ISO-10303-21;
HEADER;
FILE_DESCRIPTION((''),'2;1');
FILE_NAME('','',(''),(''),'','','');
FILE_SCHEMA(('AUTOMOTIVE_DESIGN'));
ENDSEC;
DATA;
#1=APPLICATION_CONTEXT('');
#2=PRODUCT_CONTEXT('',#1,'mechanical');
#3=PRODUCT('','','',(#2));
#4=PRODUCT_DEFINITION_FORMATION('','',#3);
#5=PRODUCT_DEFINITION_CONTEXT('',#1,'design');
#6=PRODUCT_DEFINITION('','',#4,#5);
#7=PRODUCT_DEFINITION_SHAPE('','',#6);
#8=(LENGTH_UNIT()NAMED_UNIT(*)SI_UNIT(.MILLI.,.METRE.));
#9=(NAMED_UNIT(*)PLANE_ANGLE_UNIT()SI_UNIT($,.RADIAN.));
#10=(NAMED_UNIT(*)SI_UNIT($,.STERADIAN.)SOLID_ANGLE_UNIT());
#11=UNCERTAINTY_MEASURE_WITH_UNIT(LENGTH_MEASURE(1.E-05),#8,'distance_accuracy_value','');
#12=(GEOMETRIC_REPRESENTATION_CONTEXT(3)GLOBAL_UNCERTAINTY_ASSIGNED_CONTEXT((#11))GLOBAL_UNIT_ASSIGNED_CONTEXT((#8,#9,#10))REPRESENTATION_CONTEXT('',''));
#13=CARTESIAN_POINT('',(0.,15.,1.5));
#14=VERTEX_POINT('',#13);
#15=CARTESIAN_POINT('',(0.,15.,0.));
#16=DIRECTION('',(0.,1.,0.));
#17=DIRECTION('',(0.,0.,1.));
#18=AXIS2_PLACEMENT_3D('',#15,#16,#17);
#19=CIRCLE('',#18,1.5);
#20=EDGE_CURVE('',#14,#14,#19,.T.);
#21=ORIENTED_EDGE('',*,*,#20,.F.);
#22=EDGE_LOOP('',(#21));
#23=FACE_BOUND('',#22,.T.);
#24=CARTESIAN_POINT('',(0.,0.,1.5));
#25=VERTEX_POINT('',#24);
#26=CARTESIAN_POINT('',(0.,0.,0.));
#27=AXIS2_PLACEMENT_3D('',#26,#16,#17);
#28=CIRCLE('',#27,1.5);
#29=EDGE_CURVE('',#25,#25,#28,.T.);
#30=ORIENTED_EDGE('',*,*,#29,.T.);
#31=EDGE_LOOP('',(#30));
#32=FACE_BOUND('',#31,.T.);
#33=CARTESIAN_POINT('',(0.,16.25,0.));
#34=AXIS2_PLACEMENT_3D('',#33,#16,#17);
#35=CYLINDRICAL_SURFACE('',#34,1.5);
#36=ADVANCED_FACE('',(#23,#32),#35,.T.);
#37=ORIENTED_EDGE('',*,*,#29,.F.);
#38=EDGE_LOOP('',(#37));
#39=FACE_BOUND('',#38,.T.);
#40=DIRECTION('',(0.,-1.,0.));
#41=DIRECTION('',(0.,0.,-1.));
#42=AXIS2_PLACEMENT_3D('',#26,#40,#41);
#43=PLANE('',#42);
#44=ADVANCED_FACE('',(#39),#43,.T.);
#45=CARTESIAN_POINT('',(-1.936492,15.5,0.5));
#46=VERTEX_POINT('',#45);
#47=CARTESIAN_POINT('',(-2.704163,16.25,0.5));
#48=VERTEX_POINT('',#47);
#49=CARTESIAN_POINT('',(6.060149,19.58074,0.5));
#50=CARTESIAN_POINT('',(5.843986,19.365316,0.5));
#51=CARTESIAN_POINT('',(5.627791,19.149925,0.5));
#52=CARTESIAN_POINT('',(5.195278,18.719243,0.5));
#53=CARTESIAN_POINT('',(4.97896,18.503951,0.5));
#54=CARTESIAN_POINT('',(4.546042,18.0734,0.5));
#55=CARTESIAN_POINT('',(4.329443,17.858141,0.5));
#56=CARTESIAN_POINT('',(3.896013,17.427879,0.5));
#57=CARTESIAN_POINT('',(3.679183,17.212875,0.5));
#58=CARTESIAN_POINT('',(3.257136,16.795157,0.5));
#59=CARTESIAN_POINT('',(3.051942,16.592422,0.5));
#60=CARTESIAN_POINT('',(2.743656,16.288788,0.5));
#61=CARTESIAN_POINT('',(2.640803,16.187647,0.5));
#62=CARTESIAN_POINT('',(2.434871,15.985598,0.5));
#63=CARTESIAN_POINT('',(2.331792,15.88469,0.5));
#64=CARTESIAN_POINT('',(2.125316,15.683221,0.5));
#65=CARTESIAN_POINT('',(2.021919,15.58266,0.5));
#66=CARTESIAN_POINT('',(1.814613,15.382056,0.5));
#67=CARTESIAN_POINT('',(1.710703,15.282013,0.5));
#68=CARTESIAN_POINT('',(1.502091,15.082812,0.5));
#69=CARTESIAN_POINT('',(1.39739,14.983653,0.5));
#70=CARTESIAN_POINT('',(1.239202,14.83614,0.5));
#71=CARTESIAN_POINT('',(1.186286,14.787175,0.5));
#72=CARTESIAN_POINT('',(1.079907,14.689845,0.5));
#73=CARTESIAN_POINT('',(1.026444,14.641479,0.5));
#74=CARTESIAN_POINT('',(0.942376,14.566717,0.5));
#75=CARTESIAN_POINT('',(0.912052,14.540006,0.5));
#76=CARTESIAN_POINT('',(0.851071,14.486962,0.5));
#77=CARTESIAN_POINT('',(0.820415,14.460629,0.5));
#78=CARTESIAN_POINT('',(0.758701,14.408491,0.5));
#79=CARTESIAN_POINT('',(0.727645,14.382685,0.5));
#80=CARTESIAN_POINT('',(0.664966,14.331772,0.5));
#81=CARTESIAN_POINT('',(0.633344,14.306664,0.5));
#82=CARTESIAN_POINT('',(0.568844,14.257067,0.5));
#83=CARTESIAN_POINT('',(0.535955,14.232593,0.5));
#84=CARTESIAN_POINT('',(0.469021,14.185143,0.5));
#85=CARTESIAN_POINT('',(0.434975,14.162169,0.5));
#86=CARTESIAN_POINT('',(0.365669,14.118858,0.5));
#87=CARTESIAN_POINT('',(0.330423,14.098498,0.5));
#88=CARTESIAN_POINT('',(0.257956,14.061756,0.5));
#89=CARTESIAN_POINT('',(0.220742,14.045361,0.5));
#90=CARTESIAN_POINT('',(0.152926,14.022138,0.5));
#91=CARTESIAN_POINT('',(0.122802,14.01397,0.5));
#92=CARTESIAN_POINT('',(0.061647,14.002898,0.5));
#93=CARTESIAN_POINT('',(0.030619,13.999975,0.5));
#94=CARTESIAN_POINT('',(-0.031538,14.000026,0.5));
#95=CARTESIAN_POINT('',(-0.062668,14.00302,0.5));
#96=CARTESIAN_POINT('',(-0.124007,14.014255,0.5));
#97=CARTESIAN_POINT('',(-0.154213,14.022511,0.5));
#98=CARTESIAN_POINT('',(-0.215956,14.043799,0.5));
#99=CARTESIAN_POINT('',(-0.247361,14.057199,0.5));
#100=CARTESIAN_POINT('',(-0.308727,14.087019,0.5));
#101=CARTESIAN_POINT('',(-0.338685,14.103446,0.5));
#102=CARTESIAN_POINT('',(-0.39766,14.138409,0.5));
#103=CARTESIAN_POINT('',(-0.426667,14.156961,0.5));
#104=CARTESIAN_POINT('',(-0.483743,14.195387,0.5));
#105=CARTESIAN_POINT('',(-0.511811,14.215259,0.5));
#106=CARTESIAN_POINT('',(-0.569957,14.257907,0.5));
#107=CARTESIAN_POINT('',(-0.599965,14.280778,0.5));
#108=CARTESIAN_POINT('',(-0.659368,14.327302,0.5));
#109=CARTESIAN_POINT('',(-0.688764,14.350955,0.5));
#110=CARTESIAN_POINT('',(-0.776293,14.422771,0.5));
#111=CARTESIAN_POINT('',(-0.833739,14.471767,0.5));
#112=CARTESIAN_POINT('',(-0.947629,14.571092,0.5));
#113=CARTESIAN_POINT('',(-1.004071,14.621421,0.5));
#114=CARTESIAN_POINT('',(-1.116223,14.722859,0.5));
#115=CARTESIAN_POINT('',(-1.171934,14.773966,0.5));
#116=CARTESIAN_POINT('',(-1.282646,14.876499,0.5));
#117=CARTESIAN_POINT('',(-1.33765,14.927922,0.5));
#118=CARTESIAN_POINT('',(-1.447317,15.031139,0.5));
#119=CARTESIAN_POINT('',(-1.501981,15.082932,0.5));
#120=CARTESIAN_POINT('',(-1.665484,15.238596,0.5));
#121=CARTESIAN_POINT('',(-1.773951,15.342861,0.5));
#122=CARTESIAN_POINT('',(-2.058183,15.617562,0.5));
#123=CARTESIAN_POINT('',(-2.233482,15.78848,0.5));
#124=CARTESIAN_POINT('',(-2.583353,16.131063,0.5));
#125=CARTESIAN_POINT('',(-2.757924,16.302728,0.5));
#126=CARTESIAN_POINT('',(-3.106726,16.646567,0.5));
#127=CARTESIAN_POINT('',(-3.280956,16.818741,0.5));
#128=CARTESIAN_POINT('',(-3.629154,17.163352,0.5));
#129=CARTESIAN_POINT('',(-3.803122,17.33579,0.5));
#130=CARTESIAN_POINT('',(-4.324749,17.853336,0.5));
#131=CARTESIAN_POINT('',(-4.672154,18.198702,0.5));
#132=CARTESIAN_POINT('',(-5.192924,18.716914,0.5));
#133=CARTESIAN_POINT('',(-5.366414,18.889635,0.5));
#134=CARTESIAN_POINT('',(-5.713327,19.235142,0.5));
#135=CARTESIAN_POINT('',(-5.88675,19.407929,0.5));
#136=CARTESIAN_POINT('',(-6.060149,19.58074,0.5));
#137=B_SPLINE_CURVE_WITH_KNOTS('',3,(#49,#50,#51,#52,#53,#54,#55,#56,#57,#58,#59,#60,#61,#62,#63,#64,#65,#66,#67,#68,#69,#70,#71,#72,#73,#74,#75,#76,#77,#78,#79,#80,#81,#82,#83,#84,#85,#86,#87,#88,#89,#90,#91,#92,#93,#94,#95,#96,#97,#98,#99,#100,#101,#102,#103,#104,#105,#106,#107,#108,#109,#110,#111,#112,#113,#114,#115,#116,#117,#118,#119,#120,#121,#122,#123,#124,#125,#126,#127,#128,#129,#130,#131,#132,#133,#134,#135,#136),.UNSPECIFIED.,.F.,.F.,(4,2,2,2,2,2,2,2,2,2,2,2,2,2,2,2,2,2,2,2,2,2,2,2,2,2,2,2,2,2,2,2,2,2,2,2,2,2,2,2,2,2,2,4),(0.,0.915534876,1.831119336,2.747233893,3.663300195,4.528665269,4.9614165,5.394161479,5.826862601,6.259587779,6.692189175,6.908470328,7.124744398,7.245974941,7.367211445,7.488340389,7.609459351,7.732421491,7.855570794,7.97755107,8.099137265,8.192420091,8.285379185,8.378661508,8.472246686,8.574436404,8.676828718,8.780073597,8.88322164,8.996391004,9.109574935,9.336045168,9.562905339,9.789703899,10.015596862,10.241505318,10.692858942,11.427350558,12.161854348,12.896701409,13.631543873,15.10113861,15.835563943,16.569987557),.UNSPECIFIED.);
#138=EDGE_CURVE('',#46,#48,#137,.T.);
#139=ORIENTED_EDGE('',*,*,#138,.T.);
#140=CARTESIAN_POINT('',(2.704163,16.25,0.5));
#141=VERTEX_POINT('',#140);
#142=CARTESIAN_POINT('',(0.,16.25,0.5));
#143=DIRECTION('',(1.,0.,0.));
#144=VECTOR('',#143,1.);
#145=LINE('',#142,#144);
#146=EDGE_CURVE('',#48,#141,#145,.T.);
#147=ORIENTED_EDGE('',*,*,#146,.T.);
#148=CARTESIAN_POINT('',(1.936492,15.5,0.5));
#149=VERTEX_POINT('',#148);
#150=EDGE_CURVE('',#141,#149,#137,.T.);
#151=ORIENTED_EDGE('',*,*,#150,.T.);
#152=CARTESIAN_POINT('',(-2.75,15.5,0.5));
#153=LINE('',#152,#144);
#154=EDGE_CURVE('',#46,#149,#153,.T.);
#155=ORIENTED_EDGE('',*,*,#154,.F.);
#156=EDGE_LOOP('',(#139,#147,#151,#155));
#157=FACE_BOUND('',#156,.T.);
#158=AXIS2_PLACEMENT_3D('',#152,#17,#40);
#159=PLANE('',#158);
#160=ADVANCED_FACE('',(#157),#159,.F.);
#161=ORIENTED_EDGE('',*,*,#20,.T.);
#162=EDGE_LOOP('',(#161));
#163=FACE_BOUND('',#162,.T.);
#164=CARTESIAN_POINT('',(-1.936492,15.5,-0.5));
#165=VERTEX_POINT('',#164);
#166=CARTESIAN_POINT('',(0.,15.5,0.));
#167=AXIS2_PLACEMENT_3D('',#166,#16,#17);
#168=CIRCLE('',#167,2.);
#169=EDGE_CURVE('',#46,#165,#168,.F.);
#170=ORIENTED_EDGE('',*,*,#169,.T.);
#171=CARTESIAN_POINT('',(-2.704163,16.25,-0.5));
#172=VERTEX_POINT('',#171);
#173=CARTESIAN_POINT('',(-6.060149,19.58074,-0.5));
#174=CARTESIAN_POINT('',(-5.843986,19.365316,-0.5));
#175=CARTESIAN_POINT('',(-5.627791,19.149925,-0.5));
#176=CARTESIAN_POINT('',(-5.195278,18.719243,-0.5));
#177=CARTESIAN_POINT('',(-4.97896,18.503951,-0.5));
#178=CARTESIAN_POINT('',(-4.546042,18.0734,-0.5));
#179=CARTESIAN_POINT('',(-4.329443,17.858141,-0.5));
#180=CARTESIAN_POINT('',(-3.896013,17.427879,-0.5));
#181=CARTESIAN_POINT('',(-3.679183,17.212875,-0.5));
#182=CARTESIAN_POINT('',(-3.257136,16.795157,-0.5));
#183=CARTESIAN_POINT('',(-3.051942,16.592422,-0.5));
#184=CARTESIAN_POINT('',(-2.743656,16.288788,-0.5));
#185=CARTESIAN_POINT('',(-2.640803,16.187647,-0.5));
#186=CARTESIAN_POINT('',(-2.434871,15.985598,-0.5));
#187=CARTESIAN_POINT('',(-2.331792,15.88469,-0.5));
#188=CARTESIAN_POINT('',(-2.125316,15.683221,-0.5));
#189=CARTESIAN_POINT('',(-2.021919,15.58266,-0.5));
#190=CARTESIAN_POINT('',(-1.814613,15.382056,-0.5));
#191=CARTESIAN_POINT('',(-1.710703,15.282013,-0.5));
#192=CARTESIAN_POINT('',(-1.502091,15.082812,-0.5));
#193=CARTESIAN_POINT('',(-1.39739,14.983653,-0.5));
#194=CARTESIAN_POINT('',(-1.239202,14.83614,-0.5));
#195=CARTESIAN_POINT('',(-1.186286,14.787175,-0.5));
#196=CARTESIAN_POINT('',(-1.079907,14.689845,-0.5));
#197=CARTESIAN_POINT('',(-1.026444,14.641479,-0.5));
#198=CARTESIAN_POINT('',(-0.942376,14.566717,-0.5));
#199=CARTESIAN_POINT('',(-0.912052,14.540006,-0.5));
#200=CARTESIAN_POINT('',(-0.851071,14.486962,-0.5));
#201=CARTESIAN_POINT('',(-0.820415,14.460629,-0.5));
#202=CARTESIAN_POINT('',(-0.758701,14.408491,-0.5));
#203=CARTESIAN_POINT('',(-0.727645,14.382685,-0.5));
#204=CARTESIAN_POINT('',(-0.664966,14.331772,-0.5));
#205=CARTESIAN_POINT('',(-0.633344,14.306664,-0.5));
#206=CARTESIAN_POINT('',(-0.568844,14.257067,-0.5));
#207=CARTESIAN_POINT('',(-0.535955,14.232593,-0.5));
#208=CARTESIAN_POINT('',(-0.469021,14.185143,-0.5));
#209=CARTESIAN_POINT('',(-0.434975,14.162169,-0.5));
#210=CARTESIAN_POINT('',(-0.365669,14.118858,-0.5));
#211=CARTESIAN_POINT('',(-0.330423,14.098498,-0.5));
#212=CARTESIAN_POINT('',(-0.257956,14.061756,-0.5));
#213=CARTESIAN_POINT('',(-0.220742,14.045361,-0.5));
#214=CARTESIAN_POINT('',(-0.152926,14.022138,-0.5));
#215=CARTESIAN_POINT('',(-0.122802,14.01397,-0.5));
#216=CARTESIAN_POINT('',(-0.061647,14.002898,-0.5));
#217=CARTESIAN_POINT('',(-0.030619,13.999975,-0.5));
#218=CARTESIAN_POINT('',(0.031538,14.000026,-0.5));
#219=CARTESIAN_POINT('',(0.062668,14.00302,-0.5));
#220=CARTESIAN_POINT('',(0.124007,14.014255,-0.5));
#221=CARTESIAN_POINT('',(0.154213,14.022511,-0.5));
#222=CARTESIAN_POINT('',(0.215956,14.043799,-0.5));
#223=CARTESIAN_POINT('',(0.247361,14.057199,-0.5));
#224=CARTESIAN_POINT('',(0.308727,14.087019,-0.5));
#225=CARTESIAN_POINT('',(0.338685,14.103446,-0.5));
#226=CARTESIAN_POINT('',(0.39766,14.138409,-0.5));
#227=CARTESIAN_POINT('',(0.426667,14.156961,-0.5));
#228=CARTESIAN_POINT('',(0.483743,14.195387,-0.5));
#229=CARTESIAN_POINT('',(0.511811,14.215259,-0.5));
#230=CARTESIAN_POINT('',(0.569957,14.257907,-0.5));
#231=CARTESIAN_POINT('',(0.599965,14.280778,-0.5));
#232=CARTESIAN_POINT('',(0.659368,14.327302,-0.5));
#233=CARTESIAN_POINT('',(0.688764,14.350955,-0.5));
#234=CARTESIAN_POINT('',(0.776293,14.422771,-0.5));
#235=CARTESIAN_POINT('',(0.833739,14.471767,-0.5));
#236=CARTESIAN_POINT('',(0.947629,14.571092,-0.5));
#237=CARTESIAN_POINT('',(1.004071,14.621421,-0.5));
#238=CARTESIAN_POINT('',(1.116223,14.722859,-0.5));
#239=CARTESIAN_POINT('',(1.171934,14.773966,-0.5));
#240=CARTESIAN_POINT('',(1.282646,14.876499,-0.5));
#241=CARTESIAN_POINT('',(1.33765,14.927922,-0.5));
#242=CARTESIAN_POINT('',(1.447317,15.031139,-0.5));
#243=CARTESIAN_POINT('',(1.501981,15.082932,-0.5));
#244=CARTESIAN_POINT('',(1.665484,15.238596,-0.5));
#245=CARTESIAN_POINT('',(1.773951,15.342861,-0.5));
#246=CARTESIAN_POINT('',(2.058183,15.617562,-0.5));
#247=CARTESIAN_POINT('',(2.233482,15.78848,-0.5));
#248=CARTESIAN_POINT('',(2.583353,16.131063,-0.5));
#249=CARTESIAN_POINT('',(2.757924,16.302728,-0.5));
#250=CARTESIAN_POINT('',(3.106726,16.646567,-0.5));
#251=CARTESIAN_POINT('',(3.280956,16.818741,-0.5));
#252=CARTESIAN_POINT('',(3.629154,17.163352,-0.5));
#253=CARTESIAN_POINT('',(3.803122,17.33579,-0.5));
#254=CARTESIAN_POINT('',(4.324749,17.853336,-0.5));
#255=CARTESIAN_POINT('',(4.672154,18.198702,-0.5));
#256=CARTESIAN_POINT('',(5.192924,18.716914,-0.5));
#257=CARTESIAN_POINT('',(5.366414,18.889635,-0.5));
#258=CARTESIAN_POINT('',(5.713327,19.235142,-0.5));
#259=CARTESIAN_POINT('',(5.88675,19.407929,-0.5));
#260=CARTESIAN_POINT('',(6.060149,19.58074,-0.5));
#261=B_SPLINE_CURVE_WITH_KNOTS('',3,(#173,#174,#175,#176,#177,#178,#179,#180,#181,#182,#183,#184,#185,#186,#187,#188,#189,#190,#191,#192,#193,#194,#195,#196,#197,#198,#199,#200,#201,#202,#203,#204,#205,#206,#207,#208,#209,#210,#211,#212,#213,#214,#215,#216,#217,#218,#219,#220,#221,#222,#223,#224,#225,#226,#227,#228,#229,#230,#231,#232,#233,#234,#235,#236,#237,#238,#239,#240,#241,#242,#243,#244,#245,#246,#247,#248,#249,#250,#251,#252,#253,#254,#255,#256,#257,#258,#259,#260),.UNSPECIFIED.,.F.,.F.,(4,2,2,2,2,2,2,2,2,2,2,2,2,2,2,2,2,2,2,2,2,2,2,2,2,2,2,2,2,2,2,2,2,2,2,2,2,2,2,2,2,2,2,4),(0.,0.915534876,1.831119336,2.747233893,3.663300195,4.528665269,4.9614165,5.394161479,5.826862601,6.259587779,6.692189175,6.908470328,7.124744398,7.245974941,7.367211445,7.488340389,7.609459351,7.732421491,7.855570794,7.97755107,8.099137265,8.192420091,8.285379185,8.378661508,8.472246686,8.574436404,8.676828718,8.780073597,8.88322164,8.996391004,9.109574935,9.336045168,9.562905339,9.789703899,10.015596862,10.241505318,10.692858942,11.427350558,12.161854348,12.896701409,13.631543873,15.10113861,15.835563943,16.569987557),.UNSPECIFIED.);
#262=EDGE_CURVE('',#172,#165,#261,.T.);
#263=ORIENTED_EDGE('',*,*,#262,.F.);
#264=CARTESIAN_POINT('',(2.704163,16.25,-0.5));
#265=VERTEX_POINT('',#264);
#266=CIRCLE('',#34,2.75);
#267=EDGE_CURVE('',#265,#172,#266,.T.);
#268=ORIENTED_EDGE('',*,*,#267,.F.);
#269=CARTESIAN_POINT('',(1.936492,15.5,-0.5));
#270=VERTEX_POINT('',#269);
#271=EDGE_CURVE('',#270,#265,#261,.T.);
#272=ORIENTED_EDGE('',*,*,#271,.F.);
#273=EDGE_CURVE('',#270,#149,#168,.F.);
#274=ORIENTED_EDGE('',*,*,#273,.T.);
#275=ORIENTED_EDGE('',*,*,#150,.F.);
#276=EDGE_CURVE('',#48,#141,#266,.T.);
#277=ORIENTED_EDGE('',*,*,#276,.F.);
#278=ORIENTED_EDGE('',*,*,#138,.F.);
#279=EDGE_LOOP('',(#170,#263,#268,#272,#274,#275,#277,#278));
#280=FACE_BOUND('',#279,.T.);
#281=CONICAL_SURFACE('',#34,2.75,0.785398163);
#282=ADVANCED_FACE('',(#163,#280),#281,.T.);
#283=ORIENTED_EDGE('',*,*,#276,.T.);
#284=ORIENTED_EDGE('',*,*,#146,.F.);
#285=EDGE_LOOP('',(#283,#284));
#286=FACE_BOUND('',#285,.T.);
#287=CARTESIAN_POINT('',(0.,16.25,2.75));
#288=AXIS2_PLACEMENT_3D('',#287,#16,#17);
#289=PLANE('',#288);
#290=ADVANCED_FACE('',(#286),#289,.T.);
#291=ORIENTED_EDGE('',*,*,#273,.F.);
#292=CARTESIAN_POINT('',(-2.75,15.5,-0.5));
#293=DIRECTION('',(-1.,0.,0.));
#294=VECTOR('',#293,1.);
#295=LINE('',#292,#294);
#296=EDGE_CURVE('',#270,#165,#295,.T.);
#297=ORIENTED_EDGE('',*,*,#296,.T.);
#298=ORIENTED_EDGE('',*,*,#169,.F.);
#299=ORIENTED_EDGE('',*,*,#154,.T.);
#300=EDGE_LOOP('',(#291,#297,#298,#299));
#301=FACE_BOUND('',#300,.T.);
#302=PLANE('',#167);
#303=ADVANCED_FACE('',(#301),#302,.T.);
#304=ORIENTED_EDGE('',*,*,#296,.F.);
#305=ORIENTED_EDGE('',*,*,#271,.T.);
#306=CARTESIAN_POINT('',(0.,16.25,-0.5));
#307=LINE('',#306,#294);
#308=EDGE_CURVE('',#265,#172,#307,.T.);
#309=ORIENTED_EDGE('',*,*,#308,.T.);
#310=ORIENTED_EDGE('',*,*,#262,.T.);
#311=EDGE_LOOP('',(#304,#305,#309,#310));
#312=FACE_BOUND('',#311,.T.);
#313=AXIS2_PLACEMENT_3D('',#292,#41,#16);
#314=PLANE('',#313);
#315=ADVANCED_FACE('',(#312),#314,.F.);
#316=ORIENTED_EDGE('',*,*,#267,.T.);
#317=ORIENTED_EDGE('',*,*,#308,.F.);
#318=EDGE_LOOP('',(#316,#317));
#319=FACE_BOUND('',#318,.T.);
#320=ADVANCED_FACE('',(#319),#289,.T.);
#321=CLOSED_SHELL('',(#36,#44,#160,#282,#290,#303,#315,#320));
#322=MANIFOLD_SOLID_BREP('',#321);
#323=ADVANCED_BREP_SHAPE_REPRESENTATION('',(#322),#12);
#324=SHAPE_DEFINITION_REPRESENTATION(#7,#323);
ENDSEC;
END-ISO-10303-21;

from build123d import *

# Parameters (mm, degrees)
SKETCH2_W          = 5.5
SKETCH2_H          = 1
CUT_EXTRUDE1_DEPTH = 0.75


with BuildPart() as part:
    # Sketch1 → Revolve1 (revolve)
    with BuildSketch(Plane(origin=(0, 0, 0), x_dir=(0, 0, -1), z_dir=(1, 0, 0))):
        Polygon((0, 0), (-1.5, 0), (-1.5, 15), (-2.75, 16.25), (0, 16.25), align=None)
    revolve(axis=Axis((0, 16.25, 0), (0, -1, 0)))

    # Sketch2 → Cut-Extrude1 (cut)
    with BuildSketch(Plane(origin=(0, 16.25, 0), x_dir=(1, 0, 0), z_dir=(0, 1, 0))):
        Rectangle(SKETCH2_W, SKETCH2_H)
    extrude(amount=-CUT_EXTRUDE1_DEPTH, mode=Mode.SUBTRACT)


solid = part.part
